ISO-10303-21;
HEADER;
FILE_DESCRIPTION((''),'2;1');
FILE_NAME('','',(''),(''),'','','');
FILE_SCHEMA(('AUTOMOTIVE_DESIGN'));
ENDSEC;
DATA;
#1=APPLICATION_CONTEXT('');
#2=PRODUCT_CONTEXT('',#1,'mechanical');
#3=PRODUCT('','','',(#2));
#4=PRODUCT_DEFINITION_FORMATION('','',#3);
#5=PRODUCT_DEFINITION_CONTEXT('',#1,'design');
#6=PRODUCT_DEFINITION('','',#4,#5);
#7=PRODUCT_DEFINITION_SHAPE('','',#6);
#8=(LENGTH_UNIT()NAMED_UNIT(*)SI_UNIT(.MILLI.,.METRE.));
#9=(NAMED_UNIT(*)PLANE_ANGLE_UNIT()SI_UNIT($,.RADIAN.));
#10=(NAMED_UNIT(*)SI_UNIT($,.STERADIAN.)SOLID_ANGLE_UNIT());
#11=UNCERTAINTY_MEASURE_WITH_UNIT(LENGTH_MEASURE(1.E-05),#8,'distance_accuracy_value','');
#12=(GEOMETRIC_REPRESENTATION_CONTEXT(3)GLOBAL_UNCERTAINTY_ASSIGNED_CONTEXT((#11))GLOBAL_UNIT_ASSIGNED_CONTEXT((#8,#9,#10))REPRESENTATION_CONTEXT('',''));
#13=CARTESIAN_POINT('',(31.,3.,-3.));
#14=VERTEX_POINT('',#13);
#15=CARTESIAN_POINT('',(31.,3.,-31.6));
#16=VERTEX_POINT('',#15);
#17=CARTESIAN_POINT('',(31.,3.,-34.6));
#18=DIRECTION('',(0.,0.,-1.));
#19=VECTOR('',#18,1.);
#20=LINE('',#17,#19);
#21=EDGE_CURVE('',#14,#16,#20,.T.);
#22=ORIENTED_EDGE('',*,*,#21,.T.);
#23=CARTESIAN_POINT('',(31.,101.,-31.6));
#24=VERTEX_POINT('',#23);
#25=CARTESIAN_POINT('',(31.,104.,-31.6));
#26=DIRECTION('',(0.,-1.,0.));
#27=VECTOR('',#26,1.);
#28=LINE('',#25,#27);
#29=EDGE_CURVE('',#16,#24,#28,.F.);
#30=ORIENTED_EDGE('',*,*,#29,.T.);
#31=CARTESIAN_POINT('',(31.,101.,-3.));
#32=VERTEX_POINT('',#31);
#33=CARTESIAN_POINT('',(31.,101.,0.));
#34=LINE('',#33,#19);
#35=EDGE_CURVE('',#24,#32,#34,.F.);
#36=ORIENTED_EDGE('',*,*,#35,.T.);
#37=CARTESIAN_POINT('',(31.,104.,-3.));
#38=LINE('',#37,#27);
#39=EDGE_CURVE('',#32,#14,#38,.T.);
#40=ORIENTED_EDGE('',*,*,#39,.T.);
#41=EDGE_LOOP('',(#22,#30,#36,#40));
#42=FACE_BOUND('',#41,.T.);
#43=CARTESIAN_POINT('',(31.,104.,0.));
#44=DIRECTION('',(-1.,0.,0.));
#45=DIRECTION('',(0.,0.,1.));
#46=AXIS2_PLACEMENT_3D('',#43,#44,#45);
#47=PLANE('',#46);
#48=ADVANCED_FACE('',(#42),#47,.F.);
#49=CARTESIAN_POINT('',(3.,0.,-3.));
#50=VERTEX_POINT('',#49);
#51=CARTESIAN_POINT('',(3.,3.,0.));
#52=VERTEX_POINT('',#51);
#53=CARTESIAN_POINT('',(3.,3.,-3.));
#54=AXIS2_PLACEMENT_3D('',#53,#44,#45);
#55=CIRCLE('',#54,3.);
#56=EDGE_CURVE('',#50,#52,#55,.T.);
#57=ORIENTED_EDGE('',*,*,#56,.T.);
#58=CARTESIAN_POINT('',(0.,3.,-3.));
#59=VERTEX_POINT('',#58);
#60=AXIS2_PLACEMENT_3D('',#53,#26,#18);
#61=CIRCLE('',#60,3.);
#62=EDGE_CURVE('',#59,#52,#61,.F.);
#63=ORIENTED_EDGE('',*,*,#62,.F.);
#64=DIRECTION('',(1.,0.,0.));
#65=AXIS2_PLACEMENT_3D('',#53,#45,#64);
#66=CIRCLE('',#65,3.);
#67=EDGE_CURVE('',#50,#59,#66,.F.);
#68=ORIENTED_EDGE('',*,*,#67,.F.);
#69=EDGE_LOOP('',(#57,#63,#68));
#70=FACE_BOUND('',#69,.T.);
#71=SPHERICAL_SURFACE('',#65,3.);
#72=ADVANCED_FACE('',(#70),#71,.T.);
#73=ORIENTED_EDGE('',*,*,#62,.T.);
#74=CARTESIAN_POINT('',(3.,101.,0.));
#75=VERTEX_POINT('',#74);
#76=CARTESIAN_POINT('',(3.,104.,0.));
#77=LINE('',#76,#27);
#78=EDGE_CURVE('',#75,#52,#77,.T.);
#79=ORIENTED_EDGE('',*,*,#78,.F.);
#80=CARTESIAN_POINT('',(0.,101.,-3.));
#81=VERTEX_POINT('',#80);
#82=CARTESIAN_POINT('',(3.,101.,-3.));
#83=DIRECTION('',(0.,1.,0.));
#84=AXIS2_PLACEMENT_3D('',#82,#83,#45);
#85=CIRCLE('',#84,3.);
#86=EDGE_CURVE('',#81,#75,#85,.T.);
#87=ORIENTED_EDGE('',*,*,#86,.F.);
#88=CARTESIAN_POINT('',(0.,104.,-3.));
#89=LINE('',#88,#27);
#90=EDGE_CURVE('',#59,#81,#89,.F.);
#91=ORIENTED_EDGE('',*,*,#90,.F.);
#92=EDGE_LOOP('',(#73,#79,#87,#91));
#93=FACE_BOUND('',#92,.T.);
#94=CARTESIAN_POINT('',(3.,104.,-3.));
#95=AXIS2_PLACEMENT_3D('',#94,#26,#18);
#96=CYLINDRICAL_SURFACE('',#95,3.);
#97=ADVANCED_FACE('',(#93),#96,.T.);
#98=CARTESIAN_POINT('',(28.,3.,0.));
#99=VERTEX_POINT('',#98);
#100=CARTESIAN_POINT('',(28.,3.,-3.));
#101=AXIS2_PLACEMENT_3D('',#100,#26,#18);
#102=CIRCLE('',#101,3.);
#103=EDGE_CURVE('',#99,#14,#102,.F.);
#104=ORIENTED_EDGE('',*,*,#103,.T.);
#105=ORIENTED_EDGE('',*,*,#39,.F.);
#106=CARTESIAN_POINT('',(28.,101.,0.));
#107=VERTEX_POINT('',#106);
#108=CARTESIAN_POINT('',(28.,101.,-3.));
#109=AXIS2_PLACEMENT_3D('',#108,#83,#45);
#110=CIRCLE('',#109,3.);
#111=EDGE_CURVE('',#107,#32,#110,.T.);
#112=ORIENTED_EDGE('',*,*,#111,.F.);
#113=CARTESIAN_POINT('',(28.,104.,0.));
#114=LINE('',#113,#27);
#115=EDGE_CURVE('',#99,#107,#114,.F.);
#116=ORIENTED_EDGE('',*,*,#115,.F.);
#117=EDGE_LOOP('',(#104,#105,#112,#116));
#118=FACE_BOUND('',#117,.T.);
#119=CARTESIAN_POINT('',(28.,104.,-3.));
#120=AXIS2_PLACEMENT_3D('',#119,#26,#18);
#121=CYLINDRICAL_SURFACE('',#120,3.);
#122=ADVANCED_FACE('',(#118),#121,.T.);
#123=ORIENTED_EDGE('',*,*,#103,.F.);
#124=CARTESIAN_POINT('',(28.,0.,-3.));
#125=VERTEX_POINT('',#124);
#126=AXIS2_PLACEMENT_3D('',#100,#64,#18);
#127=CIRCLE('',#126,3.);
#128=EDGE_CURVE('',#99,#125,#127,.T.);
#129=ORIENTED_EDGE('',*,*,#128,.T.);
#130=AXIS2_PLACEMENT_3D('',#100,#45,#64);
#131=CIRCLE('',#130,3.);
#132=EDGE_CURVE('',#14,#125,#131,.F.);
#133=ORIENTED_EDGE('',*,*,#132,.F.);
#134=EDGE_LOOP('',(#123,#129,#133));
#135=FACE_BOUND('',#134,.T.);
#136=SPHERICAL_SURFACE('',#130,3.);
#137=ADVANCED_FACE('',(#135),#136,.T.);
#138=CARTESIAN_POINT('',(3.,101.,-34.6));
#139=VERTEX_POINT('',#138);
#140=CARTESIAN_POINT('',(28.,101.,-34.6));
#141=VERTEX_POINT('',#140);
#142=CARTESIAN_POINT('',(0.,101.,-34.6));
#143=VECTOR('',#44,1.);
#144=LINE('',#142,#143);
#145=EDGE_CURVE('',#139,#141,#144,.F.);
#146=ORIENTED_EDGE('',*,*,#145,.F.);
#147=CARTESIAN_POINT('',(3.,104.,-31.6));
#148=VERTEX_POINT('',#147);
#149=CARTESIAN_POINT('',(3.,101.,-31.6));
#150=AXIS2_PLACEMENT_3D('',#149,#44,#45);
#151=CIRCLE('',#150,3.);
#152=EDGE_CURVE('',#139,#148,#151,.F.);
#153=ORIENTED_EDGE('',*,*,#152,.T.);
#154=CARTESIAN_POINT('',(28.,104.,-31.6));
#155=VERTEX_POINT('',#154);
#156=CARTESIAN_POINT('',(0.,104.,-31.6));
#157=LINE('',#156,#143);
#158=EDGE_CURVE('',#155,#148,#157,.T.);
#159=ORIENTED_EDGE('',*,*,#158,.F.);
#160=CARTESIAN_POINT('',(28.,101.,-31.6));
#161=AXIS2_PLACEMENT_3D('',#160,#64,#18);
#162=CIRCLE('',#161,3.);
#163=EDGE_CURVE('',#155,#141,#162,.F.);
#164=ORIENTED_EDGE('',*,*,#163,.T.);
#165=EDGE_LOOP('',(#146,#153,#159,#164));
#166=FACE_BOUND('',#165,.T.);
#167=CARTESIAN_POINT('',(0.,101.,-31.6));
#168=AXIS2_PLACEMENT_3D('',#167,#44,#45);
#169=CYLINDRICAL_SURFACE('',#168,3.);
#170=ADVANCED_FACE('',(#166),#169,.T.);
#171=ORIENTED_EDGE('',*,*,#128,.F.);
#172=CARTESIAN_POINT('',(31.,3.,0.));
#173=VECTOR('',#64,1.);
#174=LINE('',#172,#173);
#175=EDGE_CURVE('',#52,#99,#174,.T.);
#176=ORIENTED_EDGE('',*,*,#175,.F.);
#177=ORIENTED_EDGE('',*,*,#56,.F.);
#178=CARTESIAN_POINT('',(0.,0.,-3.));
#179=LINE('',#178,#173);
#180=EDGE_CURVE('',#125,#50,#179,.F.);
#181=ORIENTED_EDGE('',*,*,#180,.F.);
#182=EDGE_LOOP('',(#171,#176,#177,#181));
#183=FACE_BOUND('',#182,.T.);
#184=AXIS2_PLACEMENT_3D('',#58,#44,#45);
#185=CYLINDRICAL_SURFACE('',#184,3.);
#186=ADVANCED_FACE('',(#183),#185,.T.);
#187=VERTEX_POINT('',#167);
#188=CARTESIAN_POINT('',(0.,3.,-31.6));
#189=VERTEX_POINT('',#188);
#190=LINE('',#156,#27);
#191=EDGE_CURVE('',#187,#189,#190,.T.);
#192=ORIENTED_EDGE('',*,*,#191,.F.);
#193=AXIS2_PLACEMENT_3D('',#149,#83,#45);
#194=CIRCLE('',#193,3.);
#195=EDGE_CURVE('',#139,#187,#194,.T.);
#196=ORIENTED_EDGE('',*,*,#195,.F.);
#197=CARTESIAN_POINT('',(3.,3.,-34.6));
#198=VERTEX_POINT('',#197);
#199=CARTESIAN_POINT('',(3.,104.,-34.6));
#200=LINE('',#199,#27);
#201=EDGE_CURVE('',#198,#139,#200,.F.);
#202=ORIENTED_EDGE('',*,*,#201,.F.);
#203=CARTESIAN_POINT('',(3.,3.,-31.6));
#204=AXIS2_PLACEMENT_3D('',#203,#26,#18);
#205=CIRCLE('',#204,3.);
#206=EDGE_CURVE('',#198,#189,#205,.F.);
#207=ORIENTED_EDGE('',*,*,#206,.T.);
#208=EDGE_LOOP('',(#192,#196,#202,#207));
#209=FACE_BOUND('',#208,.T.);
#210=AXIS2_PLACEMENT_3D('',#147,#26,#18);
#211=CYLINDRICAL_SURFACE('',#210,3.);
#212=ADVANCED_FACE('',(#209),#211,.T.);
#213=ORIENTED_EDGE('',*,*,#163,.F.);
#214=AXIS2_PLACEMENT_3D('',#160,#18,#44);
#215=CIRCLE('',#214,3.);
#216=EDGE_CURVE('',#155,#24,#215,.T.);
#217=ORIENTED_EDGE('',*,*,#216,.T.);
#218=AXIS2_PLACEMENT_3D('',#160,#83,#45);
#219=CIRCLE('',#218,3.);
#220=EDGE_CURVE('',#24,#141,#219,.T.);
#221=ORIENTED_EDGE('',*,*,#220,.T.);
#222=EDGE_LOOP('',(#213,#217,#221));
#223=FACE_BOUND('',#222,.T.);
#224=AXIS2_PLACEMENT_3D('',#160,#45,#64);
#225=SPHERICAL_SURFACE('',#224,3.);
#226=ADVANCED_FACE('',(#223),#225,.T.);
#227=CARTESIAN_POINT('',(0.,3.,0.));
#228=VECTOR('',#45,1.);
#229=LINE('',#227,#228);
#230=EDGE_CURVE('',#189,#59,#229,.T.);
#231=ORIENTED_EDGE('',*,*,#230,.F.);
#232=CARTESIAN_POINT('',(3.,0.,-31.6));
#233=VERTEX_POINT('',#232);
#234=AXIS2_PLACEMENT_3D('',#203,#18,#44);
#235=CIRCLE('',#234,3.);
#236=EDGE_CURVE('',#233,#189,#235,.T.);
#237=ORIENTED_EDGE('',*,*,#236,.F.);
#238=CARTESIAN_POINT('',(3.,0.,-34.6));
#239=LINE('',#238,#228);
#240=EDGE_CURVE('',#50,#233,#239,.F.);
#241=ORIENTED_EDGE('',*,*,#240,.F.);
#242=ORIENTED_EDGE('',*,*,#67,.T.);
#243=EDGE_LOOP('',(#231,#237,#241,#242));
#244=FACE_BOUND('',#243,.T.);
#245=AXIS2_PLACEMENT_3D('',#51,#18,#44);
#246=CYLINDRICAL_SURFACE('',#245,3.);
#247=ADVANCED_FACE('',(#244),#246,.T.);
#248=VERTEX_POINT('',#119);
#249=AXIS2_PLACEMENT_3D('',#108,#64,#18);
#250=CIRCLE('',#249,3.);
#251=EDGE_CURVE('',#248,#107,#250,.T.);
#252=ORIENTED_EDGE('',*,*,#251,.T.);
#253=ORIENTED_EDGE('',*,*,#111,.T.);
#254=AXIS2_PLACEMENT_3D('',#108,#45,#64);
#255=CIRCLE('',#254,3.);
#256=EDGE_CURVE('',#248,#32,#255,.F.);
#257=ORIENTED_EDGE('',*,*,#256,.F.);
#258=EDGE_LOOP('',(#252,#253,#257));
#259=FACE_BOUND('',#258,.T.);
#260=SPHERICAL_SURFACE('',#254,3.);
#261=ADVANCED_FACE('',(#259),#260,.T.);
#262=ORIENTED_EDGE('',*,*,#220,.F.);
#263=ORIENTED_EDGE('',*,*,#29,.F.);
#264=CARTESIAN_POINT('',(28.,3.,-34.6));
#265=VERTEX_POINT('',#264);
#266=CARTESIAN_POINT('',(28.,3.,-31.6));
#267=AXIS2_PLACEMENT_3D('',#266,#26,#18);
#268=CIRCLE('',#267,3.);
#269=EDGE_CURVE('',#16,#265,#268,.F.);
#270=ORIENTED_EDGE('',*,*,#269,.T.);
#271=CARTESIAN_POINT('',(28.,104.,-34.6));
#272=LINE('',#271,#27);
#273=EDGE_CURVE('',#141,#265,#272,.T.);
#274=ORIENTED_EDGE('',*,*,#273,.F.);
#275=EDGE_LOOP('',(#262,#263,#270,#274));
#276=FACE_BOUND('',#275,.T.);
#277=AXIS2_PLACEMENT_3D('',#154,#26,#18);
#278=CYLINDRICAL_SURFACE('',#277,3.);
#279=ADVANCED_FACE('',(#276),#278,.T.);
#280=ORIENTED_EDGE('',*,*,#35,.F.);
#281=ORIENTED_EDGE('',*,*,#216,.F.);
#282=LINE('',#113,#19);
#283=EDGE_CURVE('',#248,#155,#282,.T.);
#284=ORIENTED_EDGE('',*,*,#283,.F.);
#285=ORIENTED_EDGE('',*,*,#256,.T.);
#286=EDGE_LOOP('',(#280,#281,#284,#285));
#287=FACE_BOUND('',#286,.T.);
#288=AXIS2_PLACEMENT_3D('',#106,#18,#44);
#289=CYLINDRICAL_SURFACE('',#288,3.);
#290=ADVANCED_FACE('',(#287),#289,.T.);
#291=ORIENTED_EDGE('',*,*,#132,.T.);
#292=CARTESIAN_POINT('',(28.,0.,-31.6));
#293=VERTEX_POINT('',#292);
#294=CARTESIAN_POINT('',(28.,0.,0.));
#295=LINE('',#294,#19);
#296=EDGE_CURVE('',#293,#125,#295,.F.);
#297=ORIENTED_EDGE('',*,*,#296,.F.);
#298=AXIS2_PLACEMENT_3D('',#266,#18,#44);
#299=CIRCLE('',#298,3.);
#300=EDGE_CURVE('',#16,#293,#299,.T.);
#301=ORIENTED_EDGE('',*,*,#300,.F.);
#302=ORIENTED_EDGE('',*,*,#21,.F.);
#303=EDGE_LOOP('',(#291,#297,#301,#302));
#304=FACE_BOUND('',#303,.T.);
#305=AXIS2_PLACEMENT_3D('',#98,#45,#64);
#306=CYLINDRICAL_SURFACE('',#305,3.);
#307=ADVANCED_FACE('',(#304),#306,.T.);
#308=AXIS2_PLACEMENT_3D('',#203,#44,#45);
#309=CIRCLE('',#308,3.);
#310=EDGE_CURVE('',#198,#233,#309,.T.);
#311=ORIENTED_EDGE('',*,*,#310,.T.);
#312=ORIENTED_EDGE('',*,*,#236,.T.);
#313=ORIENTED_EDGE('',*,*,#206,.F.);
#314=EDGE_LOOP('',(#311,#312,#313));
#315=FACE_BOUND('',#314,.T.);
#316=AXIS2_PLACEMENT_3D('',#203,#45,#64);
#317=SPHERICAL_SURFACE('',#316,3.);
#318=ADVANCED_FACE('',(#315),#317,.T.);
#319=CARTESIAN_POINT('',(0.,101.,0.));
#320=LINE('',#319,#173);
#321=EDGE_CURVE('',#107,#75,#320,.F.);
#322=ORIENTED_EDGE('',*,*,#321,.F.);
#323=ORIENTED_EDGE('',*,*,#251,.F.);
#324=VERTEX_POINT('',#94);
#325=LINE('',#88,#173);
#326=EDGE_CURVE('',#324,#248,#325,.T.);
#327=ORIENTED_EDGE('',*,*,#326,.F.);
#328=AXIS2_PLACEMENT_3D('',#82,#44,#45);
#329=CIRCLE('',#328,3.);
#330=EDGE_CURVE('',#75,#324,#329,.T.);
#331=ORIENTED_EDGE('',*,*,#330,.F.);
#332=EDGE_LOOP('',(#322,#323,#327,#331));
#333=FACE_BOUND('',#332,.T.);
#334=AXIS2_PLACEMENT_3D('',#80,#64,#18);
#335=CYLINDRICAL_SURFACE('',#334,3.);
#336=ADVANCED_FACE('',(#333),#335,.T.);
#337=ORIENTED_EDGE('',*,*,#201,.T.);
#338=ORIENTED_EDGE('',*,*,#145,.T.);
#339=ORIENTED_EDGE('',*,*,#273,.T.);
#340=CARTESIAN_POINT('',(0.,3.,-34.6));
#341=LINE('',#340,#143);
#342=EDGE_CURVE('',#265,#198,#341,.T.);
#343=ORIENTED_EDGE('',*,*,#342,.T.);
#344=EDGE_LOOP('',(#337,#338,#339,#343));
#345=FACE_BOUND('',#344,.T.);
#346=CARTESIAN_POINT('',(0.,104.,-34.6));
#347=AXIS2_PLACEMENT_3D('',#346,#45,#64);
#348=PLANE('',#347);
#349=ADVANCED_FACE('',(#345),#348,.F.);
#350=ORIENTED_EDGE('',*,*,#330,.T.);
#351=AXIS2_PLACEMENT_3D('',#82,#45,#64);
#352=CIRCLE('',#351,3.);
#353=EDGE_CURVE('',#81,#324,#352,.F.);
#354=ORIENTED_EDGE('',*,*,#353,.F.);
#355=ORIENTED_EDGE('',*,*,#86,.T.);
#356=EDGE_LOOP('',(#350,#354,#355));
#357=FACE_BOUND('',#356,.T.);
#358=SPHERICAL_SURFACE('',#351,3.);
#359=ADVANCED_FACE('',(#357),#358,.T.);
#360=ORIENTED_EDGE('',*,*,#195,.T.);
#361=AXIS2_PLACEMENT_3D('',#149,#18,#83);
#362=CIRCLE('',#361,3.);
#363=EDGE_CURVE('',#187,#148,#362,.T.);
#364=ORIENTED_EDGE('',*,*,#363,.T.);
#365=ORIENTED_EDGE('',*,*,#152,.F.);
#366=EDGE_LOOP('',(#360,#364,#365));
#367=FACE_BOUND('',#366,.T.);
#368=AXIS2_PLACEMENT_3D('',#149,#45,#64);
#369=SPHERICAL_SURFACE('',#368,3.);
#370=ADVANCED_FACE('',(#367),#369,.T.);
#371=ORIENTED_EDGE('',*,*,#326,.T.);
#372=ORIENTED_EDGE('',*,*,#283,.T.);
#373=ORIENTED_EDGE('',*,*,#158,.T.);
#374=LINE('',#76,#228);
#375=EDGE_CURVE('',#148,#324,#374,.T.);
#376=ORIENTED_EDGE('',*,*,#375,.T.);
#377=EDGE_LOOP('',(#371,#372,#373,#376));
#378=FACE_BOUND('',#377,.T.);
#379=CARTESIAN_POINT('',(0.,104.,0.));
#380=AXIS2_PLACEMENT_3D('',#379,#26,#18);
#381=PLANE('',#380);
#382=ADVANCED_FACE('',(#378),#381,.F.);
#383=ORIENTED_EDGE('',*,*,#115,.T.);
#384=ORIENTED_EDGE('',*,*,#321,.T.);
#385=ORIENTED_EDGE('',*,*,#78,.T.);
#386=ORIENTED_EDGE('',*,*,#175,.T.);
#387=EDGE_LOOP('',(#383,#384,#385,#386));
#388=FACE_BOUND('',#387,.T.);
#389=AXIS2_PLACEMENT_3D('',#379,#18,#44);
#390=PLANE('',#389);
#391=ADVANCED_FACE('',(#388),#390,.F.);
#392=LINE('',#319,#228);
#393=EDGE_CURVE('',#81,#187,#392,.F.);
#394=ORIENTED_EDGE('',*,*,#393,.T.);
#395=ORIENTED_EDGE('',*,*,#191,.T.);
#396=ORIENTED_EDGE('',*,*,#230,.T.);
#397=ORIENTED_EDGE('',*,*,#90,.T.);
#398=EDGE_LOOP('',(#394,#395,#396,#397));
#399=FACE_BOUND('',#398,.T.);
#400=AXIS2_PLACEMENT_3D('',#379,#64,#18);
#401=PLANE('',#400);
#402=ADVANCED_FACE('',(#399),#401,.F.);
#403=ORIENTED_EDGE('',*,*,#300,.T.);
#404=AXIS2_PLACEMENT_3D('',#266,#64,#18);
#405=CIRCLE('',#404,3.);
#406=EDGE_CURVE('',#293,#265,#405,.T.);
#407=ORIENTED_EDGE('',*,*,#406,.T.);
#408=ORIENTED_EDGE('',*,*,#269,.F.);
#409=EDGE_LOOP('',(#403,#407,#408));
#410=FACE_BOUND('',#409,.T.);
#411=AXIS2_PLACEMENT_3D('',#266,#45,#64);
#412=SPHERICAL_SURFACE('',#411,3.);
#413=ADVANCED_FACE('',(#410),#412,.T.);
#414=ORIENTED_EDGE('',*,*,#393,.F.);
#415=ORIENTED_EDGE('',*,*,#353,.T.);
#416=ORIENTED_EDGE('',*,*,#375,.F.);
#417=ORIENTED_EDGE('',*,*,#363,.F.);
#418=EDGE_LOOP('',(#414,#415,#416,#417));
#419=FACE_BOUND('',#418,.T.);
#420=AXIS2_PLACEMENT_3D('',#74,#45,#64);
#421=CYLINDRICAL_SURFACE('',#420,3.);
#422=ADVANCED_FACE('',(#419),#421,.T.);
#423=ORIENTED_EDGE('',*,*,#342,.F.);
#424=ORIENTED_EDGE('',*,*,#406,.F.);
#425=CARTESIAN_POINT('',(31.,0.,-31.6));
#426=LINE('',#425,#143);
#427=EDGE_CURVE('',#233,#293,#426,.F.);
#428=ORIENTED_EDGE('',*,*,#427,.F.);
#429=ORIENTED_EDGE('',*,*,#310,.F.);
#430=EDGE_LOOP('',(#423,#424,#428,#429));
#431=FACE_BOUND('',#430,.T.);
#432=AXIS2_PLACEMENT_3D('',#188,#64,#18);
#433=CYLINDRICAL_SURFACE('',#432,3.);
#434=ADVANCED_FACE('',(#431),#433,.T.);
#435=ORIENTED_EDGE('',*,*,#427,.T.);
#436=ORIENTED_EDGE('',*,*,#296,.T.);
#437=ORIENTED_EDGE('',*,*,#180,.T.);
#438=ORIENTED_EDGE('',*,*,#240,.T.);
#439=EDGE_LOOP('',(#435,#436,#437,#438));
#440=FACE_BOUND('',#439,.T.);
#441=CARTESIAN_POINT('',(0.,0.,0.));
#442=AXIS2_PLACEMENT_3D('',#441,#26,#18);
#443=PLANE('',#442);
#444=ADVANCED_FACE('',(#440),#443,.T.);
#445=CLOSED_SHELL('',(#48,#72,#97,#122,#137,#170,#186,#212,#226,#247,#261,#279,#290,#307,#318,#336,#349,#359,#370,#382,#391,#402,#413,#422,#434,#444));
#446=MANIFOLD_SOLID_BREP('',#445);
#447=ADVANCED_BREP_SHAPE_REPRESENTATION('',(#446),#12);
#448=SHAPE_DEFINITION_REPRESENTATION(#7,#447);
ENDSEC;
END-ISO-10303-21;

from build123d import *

# Parameters (mm, degrees)
SKETCH1_W           = 31
SKETCH1_H           = 34.6
BOSS_EXTRUDE1_DEPTH = 104
FILLET1_R           = 3


with BuildPart() as part:
    # Sketch1 → Boss-Extrude1 (new body)
    with BuildSketch(Plane(origin=(0, 0, 0), x_dir=(1, 0, 0), z_dir=(0, 1, 0))):
        with Locations((15.5, 17.3)):
            Rectangle(SKETCH1_W, SKETCH1_H)
    extrude(amount=BOSS_EXTRUDE1_DEPTH)

    # Fillet1
    fillet1_edges = [part.edges().sort_by_distance(p)[0] for p in [
        (31, 104, -17.3),
        (15.5, 104, -34.6),
        (0, 104, -17.3),
        (15.5, 0, -34.6),
        (31, 0, -17.3),
        (15.5, 0, 0),
        (0, 0, -17.3),
        (15.5, 104, 0),
        (0, 52, -34.6),
        (31, 52, -34.6),
        (31, 52, 0),
        (0, 52, 0),
    ]]
    fillet(fillet1_edges, radius=FILLET1_R)


solid = part.part
